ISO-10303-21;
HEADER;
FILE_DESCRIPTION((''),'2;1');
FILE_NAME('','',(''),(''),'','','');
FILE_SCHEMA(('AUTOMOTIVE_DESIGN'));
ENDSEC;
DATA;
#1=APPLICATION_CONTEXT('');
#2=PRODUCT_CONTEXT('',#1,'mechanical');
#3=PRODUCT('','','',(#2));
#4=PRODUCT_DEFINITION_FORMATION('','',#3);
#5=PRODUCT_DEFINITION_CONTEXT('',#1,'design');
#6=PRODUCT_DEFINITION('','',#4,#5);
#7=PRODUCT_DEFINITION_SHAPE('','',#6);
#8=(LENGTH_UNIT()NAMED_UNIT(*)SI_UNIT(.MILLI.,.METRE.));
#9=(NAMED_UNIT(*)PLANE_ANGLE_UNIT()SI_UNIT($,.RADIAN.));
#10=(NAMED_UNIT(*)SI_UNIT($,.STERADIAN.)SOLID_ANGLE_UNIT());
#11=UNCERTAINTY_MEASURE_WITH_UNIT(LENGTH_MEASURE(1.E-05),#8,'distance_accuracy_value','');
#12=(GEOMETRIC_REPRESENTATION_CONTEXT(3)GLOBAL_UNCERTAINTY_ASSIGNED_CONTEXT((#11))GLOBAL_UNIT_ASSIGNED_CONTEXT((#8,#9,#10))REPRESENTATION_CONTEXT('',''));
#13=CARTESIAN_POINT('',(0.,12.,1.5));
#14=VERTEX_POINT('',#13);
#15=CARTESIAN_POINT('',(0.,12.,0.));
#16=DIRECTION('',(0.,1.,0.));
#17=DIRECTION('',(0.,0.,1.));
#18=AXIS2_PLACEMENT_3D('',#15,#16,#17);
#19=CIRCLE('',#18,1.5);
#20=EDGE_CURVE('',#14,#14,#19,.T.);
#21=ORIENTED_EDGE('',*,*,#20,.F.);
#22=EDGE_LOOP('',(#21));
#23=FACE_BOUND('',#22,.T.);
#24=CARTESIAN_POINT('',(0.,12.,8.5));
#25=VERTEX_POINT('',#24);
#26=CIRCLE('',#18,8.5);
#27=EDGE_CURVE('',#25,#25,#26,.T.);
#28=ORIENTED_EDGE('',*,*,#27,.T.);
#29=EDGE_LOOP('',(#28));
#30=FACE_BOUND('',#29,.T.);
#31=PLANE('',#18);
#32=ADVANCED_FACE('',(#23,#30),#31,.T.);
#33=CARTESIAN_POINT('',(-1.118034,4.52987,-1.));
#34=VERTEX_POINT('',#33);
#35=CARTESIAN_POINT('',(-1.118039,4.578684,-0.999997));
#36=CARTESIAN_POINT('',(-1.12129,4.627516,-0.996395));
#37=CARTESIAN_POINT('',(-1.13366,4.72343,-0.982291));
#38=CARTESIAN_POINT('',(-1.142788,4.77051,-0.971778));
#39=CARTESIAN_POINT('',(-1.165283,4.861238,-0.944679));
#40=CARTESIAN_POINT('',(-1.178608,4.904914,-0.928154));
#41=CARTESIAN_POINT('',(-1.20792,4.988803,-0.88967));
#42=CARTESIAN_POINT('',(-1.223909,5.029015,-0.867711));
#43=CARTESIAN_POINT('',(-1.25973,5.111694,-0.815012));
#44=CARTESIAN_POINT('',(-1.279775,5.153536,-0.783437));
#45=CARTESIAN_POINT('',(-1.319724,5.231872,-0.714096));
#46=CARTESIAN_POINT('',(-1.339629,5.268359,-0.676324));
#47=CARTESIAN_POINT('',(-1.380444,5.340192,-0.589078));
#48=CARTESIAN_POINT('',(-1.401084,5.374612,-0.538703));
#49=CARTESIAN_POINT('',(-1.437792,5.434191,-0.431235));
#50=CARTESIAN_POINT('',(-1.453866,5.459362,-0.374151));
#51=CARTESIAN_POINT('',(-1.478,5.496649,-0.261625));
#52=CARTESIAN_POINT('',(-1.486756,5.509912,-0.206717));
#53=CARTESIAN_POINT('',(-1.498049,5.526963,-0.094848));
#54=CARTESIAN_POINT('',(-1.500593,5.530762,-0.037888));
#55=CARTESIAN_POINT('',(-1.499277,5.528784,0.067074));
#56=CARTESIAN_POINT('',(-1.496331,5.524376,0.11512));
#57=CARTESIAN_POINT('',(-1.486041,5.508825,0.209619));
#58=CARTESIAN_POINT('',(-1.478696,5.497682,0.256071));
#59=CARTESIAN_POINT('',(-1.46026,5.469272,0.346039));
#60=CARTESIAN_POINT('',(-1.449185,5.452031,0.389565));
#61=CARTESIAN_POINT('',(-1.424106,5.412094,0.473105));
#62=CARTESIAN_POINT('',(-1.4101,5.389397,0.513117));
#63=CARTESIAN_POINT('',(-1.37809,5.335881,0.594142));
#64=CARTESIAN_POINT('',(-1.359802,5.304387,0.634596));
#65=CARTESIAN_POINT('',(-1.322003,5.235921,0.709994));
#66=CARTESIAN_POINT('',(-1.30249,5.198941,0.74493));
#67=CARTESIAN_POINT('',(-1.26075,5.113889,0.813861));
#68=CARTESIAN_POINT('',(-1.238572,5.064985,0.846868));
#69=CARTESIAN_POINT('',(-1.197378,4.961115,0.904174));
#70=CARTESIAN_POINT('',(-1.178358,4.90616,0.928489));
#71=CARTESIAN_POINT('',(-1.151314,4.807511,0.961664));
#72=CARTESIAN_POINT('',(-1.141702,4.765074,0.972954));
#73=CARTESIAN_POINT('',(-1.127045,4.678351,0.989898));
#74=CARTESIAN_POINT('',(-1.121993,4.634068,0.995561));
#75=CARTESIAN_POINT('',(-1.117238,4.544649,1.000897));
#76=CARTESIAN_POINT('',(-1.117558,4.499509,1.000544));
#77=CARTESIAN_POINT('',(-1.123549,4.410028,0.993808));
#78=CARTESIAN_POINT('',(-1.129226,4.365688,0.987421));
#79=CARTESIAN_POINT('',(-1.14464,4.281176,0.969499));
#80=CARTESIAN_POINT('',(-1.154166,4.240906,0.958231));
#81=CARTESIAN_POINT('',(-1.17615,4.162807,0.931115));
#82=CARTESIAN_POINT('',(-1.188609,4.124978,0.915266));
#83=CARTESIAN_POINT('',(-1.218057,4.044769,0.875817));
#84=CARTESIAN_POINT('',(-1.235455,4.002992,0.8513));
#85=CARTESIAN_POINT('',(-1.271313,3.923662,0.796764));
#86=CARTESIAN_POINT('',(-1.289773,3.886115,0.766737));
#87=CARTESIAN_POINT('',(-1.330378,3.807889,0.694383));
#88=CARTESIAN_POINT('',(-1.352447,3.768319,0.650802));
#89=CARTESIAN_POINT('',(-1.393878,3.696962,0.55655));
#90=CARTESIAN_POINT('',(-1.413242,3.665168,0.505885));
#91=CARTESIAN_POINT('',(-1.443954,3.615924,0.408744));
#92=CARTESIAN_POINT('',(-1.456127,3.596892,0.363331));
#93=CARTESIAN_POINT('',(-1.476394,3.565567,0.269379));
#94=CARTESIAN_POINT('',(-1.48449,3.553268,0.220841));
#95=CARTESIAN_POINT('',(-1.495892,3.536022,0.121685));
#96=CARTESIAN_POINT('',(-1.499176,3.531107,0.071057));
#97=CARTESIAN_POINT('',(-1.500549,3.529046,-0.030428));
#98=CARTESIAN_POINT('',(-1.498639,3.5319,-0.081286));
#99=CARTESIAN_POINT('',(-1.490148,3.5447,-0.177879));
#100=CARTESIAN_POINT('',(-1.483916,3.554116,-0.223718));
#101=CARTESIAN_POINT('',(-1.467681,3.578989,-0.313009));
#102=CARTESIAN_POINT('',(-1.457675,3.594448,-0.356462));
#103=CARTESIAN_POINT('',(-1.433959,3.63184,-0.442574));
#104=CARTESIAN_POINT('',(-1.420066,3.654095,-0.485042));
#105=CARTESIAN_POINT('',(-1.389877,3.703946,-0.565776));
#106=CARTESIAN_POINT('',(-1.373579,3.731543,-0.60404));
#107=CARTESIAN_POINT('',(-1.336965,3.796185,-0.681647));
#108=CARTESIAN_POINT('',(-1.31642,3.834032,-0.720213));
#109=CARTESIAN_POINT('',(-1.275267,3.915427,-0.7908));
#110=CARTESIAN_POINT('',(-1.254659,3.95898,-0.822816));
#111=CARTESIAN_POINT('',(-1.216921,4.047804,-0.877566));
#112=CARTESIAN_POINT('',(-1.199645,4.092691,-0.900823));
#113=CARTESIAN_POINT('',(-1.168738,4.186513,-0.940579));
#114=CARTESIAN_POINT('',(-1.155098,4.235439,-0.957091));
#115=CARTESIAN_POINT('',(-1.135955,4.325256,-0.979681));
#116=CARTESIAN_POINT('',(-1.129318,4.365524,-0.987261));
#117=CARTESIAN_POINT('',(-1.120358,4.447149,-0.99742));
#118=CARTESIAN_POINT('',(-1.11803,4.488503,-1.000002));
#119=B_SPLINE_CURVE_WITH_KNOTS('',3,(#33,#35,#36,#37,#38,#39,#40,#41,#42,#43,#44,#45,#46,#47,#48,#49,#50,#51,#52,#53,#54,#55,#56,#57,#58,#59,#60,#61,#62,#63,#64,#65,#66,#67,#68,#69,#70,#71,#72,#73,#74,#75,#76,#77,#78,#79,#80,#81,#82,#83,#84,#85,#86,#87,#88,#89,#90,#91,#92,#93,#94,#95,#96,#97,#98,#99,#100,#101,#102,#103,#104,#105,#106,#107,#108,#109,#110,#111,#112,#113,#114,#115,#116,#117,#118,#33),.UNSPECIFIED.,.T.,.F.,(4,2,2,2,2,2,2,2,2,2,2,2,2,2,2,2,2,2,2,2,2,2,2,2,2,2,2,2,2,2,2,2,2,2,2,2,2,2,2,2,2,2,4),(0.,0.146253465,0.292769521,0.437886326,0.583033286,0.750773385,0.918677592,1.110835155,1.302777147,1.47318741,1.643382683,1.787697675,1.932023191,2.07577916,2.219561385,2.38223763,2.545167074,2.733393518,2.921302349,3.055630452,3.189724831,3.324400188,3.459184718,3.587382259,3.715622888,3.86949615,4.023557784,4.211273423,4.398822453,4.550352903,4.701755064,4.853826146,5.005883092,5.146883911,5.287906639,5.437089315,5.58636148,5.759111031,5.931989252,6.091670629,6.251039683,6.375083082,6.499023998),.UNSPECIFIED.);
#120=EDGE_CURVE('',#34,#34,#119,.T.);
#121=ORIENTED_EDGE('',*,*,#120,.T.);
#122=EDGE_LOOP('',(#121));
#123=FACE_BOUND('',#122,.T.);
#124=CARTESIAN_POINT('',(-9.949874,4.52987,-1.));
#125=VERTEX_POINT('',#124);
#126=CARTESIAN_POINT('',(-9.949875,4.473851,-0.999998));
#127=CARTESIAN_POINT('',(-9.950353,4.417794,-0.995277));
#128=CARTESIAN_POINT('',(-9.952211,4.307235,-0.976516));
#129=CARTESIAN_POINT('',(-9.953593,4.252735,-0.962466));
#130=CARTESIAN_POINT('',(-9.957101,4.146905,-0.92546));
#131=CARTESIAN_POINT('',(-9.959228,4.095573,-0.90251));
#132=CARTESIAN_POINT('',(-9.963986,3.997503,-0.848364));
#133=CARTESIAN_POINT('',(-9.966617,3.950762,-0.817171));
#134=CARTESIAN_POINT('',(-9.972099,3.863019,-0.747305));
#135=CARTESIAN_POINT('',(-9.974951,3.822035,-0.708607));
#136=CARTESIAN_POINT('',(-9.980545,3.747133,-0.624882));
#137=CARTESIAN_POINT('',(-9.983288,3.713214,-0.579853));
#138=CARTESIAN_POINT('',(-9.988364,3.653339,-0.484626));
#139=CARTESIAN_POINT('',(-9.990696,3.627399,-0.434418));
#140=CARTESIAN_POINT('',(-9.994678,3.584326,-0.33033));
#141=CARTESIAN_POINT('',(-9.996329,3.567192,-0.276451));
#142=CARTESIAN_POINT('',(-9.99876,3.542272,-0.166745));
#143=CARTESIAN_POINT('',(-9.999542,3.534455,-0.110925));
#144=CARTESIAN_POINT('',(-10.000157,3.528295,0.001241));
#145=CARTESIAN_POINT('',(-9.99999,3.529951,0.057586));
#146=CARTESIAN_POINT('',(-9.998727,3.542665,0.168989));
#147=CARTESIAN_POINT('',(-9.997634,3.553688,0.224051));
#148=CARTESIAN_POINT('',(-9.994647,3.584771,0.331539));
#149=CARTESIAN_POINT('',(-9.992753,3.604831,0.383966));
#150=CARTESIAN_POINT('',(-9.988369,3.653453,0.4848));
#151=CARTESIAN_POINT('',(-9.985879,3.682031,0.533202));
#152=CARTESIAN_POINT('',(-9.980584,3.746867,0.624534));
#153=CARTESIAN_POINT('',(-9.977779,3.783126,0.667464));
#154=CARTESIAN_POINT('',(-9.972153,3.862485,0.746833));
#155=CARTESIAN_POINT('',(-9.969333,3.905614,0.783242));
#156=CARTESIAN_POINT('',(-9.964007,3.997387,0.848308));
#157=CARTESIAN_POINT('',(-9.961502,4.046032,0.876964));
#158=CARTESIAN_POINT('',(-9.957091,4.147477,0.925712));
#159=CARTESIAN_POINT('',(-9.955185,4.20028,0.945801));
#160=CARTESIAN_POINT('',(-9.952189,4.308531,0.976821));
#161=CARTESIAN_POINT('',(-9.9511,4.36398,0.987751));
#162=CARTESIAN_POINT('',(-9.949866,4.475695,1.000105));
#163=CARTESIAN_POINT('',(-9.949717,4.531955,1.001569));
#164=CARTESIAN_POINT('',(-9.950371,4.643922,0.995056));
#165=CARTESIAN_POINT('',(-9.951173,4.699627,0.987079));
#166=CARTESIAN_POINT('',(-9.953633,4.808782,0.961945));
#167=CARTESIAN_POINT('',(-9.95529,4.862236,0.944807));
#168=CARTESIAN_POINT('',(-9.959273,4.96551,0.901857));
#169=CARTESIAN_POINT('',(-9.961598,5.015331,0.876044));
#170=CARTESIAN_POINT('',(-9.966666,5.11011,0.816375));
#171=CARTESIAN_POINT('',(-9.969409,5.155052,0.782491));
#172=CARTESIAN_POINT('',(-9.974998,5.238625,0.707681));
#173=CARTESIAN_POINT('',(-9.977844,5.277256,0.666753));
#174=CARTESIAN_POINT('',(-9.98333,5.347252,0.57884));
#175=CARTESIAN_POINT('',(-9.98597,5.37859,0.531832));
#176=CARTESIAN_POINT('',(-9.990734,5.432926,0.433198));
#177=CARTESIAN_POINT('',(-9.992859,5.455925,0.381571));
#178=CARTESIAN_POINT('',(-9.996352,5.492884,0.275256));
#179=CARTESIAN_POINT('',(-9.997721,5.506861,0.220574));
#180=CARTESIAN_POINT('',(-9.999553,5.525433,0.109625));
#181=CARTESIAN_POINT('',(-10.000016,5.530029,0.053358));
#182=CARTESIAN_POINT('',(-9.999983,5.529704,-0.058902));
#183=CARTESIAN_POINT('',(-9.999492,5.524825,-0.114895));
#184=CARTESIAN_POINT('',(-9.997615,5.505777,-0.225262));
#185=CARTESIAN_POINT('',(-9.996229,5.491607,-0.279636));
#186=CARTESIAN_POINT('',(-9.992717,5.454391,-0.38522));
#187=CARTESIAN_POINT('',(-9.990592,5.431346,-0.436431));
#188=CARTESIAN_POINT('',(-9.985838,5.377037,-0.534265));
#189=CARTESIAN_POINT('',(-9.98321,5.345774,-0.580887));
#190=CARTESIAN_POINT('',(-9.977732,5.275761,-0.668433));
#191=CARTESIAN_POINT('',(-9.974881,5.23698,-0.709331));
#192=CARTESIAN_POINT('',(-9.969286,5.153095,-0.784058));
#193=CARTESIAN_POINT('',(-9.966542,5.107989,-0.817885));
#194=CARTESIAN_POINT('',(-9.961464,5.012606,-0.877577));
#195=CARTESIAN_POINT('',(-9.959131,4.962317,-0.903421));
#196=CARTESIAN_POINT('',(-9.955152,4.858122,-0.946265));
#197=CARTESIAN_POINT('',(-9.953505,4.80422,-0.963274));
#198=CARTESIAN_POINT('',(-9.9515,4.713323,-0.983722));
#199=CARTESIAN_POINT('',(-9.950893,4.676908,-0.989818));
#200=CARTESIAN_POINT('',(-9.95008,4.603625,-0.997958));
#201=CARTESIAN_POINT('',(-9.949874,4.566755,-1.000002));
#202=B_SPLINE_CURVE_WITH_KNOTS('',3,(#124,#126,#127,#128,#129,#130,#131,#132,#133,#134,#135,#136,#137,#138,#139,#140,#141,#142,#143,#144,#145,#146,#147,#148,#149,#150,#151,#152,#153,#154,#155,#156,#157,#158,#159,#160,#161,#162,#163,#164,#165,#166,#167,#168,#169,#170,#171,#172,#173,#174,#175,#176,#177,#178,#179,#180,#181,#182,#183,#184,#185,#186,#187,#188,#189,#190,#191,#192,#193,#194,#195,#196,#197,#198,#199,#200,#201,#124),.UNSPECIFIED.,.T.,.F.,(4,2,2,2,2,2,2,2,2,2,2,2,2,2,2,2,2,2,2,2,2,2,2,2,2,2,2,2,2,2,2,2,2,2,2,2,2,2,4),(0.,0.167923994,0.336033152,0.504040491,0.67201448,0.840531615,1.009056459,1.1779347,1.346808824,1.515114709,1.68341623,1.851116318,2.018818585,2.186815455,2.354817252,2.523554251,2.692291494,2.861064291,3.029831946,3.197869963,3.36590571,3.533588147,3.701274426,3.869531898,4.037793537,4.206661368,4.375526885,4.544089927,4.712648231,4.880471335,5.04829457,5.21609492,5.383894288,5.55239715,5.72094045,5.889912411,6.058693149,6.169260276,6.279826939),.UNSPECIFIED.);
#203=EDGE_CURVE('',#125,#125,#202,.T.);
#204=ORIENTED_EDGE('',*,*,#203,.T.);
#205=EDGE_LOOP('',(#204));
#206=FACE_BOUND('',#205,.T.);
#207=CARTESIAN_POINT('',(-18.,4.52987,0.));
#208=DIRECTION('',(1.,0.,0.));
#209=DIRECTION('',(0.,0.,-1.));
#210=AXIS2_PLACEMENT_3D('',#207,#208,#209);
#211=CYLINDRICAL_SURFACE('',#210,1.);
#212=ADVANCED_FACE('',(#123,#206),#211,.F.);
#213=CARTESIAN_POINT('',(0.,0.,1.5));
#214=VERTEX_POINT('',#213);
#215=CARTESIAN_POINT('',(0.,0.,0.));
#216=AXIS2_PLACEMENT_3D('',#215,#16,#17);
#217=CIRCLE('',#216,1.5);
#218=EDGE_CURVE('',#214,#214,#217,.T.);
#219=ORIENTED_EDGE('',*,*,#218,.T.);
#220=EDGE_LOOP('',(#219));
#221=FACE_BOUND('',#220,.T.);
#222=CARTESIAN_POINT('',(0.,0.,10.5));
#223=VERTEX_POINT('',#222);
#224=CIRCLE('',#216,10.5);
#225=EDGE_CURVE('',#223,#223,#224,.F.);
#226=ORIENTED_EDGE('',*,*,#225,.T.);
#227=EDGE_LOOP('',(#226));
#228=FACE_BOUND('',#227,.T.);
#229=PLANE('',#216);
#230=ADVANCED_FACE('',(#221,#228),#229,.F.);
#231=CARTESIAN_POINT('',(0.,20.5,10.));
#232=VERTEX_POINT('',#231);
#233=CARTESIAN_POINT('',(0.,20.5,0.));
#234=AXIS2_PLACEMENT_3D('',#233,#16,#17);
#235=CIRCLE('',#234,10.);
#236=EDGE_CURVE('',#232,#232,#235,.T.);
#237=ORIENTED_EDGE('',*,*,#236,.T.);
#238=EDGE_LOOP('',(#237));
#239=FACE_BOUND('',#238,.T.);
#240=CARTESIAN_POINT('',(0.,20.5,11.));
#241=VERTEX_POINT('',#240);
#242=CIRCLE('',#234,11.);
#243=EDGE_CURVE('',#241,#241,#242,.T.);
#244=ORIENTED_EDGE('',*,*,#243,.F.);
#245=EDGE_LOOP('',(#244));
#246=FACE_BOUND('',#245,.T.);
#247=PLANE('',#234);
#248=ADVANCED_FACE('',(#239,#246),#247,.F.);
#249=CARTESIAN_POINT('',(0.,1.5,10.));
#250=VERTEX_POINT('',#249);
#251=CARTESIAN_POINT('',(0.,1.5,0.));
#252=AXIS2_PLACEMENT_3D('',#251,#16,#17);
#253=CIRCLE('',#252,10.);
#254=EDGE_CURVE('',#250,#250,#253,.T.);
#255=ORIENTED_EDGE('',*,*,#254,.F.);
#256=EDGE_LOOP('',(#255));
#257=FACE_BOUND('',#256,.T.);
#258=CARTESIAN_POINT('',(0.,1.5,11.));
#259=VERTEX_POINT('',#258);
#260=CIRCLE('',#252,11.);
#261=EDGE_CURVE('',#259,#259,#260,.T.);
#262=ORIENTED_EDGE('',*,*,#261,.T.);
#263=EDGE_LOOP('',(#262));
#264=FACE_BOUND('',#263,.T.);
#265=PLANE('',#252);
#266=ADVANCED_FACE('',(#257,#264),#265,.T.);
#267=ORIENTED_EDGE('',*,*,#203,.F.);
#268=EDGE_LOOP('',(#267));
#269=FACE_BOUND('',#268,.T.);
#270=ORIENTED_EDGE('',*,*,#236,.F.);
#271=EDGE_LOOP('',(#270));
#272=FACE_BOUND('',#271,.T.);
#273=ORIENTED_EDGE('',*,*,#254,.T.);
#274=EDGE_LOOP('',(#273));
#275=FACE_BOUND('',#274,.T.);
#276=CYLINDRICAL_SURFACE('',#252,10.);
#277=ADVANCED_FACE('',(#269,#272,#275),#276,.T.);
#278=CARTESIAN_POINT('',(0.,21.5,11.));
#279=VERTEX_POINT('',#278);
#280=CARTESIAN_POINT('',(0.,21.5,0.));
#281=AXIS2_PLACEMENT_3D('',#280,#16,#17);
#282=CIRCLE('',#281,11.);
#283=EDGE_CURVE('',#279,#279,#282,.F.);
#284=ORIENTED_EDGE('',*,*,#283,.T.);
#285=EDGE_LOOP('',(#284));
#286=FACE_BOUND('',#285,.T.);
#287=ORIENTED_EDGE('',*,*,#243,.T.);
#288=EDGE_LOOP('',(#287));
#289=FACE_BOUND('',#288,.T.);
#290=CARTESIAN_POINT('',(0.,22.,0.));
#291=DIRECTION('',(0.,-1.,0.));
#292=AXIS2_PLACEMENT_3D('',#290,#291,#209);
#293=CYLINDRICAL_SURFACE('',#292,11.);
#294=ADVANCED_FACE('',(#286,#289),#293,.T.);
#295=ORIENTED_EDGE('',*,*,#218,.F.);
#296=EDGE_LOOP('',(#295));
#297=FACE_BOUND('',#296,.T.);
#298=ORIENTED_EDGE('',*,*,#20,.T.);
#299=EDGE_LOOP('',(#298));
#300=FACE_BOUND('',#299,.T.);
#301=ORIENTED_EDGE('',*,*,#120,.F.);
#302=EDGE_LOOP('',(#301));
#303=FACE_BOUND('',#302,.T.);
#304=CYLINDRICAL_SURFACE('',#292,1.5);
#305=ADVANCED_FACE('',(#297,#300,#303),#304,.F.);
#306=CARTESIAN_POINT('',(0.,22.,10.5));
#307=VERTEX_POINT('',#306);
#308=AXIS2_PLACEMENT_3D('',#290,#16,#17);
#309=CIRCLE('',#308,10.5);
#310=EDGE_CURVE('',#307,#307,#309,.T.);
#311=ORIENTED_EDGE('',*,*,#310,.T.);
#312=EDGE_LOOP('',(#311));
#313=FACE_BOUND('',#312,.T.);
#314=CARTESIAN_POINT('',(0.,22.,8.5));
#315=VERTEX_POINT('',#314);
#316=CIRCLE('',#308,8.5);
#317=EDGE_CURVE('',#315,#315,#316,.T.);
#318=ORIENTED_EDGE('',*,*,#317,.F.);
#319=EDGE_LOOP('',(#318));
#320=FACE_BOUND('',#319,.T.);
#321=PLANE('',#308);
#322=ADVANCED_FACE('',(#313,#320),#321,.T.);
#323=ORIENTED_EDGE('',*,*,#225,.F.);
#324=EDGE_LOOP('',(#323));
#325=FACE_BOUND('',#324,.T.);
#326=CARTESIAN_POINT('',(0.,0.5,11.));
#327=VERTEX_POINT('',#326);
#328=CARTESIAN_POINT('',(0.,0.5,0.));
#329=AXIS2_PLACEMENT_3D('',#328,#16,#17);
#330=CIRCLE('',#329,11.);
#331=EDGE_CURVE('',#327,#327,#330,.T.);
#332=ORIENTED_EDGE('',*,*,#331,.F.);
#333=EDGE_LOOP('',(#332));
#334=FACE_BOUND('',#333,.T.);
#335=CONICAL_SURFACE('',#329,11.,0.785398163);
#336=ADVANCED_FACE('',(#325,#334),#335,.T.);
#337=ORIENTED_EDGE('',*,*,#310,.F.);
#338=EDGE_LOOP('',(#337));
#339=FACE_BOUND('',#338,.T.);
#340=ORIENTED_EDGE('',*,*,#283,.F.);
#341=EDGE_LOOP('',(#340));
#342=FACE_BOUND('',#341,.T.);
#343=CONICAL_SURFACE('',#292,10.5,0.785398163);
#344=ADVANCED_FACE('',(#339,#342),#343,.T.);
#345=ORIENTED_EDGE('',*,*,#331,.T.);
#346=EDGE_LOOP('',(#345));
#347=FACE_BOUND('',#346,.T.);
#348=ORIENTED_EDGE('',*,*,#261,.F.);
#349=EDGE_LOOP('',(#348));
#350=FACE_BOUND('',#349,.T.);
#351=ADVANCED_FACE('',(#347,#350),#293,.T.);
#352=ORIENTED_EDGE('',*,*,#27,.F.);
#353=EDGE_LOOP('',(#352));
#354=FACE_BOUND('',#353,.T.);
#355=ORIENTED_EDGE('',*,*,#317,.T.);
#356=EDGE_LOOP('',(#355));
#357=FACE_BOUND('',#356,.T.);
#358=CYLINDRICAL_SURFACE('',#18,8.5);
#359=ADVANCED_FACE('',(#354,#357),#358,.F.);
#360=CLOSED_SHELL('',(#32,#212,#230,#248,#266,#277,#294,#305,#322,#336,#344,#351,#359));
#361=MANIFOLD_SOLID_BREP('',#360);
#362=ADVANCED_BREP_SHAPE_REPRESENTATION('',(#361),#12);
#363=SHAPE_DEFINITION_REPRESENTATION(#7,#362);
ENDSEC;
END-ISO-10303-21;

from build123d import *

# Parameters (mm, degrees)
SKETCH_1_R          = 11
SKETCH_1_R_2        = 1.5
EXTRUDE_1_DEPTH     = 22
CUT_EXTRUDE_START   = -1.5
SKETCH_2_R          = 12.5
SKETCH_2_R_2        = 10
CUT_EXTRUDE_1_DEPTH = 19
SKETCH_3_R          = 1
CUT_EXTRUDE_2_DEPTH = 18
CHAMFER_1_SIZE      = 0.5
CHAMFER_2_SIZE      = 0.5
SKETCH_4_R          = 8.5
CUT_EXTRUDE_3_DEPTH = 10


with BuildPart() as part:
    # Эскиз1 → Бобышка-Вытянуть1 (new body)
    with BuildSketch(Plane(origin=(0, 0, 0), x_dir=(1, 0, 0), z_dir=(0, 1, 0))):
        with Locations(Location((0, 0, 0), (0, 0, 270))):
            Circle(SKETCH_1_R)
        with Locations(Location((0, 0, 0), (0, 0, 270))):
            Circle(SKETCH_1_R_2, mode=Mode.SUBTRACT)
    extrude(amount=EXTRUDE_1_DEPTH)

    # Эскиз2 → Вырез-Вытянуть1 (cut)
    with BuildSketch(Plane(origin=(0, 22, 0), x_dir=(1, 0, 0), z_dir=(0, 1, 0)).offset(CUT_EXTRUDE_START)):
        Circle(SKETCH_2_R)
        with Locations(Location((0, 0, 0), (0, 0, 270))):
            Circle(SKETCH_2_R_2, mode=Mode.SUBTRACT)
    extrude(amount=-CUT_EXTRUDE_1_DEPTH, mode=Mode.SUBTRACT)

    # Эскиз3 → Вырез-Вытянуть2 (cut)
    with BuildSketch(Plane(origin=(0, 0, 0), x_dir=(0, 0, -1), z_dir=(1, 0, 0))):
        with Locations((0, 4.529870325)):
            Circle(SKETCH_3_R)
    extrude(amount=-CUT_EXTRUDE_2_DEPTH, mode=Mode.SUBTRACT)

    # Фаска1
    chamfer_1_edges = [part.edges().sort_by_distance(p)[0] for p in [
        (0, 0, -11),
    ]]
    chamfer(chamfer_1_edges, length=CHAMFER_1_SIZE)

    # Фаска2
    chamfer_2_edges = [part.edges().sort_by_distance(p)[0] for p in [
        (0, 22, -11),
    ]]
    chamfer(chamfer_2_edges, length=CHAMFER_2_SIZE)

    # Эскиз4 → Вырез-Вытянуть3 (cut)
    with BuildSketch(Plane(origin=(0, 22, 0), x_dir=(1, 0, 0), z_dir=(0, 1, 0))):
        with Locations(Location((0, 0, 0), (0, 0, 270))):
            Circle(SKETCH_4_R)
    extrude(amount=-CUT_EXTRUDE_3_DEPTH, mode=Mode.SUBTRACT)


solid = part.part
